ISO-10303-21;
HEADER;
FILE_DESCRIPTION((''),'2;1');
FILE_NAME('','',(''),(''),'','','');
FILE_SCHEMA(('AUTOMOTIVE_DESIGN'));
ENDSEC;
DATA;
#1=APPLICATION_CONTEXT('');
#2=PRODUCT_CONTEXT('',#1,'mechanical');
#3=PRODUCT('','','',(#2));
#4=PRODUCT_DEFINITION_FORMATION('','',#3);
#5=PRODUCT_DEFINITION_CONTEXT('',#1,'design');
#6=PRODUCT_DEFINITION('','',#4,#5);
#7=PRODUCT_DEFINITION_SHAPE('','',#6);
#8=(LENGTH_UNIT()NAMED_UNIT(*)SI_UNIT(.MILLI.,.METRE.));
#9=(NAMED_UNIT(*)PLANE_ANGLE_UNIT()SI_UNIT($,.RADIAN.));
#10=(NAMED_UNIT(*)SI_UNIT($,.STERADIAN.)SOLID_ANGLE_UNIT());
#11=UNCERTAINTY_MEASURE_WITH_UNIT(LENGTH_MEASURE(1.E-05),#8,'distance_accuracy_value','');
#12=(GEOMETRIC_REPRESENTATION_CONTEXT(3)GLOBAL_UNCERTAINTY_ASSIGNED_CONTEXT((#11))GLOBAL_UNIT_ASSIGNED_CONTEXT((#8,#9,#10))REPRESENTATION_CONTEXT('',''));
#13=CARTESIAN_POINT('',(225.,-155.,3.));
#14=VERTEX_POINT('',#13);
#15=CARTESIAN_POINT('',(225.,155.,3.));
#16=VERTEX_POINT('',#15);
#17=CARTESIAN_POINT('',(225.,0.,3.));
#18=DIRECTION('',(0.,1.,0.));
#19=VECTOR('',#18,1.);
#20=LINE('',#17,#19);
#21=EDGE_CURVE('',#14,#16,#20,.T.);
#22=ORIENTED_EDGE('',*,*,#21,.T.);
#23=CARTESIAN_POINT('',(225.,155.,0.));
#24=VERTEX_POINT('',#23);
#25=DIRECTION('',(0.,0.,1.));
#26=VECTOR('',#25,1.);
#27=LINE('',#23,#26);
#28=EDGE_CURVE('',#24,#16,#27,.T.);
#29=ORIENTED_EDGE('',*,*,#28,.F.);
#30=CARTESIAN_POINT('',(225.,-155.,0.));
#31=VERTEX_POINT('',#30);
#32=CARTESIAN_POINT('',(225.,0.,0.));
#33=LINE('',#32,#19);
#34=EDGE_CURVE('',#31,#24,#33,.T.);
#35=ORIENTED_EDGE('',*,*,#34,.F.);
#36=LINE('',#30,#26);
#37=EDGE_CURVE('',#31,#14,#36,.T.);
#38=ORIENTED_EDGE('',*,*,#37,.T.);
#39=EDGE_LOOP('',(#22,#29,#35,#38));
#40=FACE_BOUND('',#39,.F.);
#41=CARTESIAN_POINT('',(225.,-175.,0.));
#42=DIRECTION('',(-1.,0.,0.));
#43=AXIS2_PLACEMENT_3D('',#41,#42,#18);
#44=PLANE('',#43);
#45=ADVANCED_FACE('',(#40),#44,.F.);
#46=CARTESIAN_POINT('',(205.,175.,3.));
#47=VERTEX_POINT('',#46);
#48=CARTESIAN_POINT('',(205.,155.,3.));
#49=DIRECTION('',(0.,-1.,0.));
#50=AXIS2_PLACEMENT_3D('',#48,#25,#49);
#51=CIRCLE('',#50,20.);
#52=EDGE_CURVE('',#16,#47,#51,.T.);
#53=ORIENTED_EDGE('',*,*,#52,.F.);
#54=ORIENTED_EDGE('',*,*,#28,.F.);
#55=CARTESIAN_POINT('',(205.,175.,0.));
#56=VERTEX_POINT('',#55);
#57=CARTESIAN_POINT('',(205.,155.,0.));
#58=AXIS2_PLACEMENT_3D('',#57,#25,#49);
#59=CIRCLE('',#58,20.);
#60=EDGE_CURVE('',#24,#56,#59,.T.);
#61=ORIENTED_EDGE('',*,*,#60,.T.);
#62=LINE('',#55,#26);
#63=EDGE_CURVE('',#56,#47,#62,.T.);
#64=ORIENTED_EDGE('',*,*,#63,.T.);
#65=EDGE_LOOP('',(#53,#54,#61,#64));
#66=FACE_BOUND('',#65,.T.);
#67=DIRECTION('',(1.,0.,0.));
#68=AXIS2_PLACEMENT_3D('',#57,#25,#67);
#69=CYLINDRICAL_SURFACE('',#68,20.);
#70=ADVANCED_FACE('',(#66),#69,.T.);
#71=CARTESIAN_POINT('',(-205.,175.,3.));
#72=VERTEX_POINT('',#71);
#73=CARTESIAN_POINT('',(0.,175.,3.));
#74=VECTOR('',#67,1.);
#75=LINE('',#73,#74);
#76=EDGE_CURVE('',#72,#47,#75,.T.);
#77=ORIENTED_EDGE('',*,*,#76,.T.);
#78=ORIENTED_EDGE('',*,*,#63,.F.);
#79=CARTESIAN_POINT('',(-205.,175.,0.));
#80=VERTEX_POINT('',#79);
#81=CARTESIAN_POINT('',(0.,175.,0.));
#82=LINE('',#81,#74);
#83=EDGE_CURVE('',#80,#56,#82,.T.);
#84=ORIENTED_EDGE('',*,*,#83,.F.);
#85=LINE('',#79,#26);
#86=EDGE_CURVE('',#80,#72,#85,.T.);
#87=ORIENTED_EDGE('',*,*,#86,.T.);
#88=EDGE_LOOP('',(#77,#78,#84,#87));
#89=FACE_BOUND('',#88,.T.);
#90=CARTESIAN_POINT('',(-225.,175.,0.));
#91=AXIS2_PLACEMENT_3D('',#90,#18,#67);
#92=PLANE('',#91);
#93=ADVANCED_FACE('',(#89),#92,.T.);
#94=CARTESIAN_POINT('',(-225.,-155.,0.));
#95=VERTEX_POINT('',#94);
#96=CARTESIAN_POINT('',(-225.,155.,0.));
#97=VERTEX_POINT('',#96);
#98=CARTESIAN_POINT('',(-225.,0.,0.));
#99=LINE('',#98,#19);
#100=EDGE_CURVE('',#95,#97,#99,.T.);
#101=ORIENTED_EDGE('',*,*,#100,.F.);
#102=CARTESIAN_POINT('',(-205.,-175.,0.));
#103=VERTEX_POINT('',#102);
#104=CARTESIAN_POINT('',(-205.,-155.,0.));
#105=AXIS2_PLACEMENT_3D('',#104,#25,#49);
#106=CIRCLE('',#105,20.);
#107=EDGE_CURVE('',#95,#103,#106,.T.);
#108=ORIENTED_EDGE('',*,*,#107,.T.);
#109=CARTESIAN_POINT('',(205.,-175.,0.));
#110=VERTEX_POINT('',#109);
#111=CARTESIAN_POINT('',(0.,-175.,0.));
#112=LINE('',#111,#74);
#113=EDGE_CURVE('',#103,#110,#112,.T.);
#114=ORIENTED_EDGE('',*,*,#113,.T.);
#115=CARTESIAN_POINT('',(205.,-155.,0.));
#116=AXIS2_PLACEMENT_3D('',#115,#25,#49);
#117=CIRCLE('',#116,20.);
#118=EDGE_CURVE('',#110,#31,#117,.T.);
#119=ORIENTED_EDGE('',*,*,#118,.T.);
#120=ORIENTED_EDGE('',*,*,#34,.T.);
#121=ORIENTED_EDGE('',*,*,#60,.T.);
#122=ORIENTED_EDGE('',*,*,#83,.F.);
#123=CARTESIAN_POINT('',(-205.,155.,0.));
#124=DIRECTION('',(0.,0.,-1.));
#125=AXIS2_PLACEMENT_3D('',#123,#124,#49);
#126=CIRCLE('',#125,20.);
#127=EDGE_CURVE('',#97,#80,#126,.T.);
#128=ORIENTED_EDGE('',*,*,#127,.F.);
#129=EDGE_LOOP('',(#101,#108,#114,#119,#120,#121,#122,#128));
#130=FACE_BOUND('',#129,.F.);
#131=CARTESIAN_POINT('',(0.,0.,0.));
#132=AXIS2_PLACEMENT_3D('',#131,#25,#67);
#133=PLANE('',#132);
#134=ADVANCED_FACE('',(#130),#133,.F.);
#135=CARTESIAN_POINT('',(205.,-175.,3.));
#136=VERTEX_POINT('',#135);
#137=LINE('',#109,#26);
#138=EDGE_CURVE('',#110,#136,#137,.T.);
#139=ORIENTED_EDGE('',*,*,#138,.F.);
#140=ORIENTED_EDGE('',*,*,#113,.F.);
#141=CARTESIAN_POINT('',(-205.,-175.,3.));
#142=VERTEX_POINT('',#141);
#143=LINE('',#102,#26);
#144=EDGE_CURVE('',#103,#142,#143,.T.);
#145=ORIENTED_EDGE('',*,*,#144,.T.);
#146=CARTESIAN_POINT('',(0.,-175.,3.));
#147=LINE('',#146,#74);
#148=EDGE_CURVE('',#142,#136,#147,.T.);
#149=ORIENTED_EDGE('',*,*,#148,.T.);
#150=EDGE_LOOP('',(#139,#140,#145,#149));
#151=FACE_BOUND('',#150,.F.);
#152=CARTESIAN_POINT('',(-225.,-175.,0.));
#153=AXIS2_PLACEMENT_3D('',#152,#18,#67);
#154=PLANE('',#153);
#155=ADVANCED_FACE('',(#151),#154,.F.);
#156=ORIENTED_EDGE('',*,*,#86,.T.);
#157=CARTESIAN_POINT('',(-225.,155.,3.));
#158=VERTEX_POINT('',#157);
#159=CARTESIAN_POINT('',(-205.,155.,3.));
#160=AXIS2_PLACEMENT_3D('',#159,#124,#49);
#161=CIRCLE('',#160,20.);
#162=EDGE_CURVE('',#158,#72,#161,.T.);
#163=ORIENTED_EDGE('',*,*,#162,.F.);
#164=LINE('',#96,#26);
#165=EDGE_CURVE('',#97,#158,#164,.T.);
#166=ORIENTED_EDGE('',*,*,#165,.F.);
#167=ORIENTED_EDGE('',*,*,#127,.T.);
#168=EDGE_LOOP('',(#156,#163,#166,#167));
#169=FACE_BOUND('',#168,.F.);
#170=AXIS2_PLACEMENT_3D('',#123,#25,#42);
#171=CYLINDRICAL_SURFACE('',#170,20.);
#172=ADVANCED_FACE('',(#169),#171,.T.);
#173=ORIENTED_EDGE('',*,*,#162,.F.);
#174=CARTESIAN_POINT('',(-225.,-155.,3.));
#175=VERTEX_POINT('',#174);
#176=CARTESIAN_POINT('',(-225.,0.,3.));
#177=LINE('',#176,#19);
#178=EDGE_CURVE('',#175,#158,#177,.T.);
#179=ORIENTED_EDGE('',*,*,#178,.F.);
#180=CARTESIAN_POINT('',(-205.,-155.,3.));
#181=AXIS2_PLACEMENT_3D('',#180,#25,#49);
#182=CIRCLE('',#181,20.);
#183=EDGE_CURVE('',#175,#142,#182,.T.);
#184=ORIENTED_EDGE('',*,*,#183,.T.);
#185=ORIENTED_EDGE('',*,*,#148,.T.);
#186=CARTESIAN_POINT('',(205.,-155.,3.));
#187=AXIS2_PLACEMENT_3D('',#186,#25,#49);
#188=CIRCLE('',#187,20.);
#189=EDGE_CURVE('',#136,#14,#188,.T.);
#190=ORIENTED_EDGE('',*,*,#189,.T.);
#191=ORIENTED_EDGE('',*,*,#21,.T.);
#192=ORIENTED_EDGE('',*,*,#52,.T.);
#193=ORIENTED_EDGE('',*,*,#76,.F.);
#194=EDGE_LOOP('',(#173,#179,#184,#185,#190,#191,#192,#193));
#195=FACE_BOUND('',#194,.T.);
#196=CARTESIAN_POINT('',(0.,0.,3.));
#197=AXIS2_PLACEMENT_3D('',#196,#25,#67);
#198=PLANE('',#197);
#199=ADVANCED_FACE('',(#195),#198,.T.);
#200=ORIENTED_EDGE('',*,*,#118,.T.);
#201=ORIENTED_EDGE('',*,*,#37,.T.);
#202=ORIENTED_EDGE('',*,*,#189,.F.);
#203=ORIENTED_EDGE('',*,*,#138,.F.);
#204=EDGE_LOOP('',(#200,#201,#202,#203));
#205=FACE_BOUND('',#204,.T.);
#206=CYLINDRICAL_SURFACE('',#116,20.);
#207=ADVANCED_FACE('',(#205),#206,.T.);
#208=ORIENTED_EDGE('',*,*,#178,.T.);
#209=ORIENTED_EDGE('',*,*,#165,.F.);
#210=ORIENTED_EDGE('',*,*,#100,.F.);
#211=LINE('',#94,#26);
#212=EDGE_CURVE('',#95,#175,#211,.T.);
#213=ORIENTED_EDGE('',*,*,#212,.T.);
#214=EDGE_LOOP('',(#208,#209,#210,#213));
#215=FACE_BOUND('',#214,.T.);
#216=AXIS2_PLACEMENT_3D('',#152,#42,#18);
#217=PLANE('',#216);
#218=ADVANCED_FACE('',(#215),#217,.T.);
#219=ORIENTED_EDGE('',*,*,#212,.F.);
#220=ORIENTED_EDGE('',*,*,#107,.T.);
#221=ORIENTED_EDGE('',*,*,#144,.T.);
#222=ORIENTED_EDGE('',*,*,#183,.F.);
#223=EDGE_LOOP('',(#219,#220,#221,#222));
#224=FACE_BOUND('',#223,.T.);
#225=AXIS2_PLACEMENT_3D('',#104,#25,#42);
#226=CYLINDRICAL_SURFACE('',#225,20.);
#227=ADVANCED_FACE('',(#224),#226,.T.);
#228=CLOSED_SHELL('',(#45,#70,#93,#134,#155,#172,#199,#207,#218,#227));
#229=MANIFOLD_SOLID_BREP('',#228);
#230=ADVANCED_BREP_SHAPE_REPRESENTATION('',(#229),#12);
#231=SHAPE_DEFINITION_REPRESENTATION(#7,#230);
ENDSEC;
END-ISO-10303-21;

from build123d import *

# Parameters (mm, degrees)
SKETCH_1_W      = 450
SKETCH_1_H      = 350
EXTRUDE_1_DEPTH = 3
FILLET_1_R      = 20


with BuildPart() as part:
    # 草图1 → 凸台-拉伸1 (new body)
    with BuildSketch(Plane.XY):
        Rectangle(SKETCH_1_W, SKETCH_1_H)
    extrude(amount=EXTRUDE_1_DEPTH)

    # 圆角1
    fillet_1_edges = [part.edges().sort_by_distance(p)[0] for p in [
        (-225, 175, 1.5),
        (225, 175, 1.5),
        (225, -175, 1.5),
        (-225, -175, 1.5),
    ]]
    fillet(fillet_1_edges, radius=FILLET_1_R)


solid = part.part
